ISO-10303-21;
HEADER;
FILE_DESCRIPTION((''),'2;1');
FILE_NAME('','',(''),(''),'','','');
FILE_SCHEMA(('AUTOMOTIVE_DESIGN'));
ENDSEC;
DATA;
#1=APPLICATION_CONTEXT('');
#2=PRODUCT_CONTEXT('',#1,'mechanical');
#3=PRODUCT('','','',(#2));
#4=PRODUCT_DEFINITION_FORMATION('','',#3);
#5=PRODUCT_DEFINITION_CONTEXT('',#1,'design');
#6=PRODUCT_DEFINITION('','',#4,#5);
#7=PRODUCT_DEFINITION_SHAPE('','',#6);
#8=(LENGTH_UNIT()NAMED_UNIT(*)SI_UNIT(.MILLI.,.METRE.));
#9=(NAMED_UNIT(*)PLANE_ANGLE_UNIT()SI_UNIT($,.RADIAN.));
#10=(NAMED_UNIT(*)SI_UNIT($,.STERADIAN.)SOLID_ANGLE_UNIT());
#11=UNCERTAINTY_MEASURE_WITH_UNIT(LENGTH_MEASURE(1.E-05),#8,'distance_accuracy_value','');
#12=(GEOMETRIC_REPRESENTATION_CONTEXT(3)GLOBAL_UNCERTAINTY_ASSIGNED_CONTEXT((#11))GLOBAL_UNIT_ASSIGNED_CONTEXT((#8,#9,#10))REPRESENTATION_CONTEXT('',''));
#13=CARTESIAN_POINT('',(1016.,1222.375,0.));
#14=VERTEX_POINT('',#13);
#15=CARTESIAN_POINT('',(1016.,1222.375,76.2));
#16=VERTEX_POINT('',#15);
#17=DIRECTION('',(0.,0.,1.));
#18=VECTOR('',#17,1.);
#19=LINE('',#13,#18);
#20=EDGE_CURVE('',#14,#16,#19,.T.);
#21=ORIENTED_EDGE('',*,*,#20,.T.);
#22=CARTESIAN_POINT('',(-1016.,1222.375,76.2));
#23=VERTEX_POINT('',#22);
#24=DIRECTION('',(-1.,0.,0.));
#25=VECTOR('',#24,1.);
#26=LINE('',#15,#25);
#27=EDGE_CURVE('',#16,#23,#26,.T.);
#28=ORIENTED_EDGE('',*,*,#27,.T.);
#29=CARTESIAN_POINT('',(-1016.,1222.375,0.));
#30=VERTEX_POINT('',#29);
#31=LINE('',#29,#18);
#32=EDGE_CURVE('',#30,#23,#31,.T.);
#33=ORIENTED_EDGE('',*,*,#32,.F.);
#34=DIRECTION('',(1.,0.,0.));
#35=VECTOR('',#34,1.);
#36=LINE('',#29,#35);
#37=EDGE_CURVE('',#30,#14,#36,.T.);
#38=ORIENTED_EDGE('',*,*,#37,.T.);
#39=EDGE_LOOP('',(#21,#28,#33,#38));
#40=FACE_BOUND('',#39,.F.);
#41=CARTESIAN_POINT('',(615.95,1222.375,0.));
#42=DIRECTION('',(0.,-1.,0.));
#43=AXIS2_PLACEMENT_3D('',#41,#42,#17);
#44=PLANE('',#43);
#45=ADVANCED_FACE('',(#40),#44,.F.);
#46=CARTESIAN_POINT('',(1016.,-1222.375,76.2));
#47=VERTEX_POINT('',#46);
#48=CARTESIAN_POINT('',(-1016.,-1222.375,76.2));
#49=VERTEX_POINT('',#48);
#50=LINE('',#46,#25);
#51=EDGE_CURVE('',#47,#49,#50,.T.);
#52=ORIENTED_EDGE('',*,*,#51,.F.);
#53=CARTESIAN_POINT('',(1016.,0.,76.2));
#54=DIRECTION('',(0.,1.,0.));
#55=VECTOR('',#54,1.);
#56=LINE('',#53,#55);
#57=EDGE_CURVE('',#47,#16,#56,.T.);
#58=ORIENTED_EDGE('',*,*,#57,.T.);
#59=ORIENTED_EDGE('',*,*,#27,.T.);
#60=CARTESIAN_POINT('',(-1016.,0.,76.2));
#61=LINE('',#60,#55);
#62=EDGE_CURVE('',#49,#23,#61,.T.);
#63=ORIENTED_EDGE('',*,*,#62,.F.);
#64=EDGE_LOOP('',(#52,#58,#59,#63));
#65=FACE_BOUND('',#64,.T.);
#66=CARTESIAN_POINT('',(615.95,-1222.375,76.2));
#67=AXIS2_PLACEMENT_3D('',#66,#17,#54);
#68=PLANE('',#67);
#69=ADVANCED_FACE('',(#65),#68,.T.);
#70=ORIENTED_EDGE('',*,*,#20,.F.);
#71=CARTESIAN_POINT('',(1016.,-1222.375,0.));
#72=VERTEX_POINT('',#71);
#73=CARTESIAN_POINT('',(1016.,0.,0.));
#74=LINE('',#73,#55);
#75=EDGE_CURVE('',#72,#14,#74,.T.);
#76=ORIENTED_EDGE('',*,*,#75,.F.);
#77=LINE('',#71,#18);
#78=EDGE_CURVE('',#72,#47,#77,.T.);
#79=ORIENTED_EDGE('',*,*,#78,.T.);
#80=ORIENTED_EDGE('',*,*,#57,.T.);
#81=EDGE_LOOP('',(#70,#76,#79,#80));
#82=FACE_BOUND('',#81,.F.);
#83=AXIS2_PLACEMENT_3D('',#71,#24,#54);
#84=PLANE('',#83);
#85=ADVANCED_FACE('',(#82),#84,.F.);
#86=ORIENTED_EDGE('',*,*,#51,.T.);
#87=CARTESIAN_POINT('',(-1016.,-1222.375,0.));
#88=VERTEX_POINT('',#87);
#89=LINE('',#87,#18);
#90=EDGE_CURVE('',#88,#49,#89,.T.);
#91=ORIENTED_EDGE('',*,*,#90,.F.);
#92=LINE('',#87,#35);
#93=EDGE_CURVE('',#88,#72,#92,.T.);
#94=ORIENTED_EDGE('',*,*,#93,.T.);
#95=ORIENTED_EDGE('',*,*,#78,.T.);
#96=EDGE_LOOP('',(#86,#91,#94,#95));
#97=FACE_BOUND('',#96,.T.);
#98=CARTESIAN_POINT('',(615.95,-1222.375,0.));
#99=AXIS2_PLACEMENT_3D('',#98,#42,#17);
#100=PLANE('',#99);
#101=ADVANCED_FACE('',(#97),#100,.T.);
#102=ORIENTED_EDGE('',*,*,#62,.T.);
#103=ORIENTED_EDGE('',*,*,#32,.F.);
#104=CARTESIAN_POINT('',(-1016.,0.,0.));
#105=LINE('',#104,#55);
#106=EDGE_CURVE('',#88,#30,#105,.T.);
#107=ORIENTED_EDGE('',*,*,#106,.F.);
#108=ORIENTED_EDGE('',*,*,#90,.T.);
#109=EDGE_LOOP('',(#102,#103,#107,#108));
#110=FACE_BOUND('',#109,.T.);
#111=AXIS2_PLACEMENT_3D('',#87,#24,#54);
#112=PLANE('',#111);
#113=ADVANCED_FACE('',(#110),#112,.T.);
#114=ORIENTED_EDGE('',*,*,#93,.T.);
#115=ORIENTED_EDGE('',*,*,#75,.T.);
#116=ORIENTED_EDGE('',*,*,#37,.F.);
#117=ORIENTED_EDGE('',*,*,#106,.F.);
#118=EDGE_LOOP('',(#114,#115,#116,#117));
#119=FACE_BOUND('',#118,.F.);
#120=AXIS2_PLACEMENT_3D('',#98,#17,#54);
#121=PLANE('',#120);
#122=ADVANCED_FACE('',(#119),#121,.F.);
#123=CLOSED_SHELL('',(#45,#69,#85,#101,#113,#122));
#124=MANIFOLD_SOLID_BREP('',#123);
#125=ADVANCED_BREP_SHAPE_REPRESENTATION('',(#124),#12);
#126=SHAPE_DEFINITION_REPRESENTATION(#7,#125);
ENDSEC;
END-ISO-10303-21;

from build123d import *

# Parameters (mm, degrees)
F0_W     = 1231.9
F0_H     = 2444.75
F1_DEPTH = 76.2
F2_DEPTH = 400.05
F3_DEPTH = 400.05


with BuildPart() as f1:
    # F0 (on Top) → F1 (new body)
    with BuildSketch(Plane.XY):
        Rectangle(F0_W, F0_H)
    extrude(amount=F1_DEPTH)

    # F2 (add): a face of the model
    f2_faces = [f1.faces().sort_by_distance(p)[0] for p in [
        (-615.95, 0, 38.1),
    ]]
    extrude(f2_faces, amount=F2_DEPTH)

    # F3 (add): a face of the model
    f3_faces = [f1.faces().sort_by_distance(p)[0] for p in [
        (615.95, 0, 38.1),
    ]]
    extrude(f3_faces, amount=F3_DEPTH)


solid = f1.part
